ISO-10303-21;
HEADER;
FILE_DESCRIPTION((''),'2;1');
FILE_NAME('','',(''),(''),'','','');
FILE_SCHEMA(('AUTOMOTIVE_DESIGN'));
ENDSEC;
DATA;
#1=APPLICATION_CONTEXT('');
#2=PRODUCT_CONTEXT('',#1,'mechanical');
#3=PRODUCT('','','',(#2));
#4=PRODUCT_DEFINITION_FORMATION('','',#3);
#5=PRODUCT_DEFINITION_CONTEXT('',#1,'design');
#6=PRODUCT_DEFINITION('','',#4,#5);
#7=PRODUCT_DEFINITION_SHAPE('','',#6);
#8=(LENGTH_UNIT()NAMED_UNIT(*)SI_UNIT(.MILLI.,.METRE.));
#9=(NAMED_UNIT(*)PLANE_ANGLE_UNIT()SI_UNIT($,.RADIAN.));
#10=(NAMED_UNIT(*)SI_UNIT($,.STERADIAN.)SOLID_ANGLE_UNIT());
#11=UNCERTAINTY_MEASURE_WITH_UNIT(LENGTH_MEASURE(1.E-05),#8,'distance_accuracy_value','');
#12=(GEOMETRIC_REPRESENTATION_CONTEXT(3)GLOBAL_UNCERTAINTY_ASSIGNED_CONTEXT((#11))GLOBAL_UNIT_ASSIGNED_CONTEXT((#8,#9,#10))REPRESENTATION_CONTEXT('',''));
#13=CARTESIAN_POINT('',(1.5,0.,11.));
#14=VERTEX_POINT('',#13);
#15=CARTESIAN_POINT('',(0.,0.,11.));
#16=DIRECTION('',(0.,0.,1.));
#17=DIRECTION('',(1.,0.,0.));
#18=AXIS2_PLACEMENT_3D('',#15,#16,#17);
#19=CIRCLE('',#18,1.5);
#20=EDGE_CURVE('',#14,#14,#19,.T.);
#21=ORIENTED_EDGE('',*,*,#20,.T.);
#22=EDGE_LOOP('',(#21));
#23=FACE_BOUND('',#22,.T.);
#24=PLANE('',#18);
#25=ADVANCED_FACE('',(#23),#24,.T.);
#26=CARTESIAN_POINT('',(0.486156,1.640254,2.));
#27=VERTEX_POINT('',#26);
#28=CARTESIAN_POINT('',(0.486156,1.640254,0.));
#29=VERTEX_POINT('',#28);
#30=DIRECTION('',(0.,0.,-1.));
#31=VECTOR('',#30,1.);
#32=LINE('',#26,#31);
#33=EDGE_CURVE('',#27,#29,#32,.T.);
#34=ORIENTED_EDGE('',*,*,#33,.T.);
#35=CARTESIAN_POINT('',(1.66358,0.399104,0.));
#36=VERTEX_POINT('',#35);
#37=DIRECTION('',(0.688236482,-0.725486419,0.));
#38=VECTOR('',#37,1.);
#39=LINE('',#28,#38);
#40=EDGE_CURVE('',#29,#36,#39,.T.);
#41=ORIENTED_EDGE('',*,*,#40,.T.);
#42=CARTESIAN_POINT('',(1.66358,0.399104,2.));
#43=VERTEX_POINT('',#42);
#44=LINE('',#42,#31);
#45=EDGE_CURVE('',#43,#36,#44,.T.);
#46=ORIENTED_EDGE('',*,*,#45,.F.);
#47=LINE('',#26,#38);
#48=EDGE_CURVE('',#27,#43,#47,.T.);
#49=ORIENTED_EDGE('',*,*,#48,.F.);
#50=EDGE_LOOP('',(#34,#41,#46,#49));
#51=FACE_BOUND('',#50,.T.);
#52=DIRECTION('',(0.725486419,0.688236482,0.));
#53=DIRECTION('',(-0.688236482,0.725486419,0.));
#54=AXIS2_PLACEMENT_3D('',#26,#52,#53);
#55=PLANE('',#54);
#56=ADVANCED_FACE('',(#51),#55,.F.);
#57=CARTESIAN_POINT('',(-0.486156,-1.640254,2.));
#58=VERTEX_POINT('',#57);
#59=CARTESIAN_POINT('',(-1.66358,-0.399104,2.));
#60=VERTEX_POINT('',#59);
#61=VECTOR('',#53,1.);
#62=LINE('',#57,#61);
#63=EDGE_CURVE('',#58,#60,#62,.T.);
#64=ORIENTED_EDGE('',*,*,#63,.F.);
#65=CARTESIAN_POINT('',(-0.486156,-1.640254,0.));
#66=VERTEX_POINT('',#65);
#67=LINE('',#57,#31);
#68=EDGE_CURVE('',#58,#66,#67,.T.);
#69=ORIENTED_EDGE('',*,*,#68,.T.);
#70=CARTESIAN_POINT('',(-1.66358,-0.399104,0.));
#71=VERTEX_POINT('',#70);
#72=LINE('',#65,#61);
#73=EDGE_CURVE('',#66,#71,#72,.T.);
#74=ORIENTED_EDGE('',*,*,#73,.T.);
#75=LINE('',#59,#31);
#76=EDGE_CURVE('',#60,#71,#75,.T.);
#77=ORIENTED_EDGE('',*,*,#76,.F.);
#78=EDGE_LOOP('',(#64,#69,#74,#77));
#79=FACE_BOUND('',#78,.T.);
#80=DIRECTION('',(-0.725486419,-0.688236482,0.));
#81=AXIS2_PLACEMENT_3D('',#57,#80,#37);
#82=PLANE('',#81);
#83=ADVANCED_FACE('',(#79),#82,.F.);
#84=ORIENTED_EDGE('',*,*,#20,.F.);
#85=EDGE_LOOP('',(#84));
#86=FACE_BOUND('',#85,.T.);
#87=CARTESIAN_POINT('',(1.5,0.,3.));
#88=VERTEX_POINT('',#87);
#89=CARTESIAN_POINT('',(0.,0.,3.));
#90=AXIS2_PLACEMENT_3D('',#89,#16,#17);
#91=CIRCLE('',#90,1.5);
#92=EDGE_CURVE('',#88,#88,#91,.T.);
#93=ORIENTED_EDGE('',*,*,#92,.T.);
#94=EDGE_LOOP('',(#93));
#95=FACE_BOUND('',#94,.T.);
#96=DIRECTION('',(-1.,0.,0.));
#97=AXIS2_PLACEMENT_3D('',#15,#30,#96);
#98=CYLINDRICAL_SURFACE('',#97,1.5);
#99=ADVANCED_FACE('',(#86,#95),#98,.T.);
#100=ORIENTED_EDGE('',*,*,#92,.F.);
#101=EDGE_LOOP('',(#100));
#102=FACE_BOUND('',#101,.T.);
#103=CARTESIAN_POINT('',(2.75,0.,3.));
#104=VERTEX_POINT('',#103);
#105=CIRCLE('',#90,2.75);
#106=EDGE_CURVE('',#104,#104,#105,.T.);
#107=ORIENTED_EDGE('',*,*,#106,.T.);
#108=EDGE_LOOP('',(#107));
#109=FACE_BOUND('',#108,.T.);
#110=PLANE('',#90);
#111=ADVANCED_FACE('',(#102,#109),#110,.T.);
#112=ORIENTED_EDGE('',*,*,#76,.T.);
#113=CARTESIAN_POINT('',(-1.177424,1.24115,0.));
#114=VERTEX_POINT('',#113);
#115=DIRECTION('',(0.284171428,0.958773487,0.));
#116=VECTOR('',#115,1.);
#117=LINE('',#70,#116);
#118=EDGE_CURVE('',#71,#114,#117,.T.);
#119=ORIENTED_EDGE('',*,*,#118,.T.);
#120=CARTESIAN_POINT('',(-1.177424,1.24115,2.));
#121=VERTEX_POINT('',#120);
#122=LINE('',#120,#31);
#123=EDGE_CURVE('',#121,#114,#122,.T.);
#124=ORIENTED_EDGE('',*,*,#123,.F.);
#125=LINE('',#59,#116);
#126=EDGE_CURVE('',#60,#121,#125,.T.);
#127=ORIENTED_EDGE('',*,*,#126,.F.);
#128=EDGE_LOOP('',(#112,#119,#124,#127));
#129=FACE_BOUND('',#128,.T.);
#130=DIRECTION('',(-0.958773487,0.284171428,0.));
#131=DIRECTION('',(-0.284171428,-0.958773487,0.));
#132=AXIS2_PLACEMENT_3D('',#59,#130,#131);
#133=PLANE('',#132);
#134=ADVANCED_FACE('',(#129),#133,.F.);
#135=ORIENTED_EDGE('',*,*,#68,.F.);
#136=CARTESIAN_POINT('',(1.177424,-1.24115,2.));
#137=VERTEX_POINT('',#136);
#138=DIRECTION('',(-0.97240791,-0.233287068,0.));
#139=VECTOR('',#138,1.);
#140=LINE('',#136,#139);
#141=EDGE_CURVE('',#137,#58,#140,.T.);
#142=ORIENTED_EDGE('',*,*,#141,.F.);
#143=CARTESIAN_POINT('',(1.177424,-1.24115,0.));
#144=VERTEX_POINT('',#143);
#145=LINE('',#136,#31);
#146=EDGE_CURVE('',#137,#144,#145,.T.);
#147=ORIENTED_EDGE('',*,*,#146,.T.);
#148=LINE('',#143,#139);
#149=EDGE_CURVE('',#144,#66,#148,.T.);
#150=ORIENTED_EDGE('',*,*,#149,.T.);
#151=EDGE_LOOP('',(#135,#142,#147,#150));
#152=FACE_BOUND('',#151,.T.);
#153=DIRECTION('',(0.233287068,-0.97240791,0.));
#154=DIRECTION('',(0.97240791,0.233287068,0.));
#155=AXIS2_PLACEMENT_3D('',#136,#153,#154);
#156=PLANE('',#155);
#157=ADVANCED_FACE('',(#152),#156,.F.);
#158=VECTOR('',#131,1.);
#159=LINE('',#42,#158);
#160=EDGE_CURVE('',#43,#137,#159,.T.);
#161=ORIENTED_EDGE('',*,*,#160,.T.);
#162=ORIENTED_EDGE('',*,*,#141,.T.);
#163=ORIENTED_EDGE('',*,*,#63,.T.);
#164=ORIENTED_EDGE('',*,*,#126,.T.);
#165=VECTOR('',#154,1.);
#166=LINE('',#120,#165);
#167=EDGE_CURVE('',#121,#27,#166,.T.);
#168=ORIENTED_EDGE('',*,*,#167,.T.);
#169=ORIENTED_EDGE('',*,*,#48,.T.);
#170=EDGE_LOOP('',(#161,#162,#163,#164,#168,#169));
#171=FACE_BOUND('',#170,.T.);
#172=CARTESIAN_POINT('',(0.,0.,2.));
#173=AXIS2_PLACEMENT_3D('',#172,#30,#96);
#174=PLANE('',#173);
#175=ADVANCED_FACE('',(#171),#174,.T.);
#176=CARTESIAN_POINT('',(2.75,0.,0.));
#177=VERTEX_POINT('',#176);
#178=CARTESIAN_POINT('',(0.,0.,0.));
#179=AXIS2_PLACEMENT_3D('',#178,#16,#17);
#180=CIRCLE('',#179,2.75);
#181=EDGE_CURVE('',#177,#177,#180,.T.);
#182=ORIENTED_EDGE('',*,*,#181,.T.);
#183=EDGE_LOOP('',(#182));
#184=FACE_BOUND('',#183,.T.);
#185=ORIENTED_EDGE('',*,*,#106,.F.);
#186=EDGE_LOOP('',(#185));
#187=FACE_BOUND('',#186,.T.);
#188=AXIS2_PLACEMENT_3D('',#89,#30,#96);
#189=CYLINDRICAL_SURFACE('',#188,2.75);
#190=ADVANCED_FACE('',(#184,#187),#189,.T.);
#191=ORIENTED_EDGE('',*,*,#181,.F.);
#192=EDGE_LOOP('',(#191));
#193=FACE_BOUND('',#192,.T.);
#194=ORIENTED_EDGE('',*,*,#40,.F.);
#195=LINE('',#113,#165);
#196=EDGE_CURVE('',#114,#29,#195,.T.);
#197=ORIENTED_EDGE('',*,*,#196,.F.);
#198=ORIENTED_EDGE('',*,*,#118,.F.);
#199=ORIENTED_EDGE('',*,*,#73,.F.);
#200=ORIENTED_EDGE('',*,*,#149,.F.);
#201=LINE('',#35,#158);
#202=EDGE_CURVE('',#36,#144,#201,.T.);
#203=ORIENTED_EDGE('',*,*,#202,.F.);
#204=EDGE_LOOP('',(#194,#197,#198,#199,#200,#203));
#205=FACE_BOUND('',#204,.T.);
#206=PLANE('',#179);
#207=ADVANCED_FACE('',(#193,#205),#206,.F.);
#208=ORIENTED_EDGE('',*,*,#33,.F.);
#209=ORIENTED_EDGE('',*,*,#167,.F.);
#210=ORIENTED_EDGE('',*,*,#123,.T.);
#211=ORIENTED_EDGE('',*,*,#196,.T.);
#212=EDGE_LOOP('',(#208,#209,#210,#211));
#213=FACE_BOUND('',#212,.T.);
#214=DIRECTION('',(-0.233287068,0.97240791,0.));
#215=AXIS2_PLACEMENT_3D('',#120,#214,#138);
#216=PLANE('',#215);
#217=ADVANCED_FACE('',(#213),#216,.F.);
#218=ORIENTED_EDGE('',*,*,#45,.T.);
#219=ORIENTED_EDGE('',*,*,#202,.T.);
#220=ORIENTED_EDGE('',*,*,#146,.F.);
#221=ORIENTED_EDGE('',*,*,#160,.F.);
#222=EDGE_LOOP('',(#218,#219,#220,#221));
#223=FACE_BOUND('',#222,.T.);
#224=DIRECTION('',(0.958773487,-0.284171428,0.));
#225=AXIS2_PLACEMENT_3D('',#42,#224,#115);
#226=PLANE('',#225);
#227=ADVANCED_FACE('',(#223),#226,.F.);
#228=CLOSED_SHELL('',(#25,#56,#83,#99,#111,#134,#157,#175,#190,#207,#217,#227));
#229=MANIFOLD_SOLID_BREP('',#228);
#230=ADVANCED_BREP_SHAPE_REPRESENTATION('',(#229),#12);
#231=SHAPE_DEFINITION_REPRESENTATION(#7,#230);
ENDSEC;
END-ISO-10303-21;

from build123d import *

# Parameters (mm, degrees)
SKETCH_1_R          = 2.75
EXTRUDE_1_DEPTH     = 3
SKETCH_2_R          = 1.5
EXTRUDE_2_DEPTH     = 8
CUT_EXTRUDE_1_DEPTH = 2


with BuildPart() as part:
    # ｽｹｯﾁ1 → ﾎﾞｽ - 押し出し1 (new body)
    with BuildSketch(Plane.XY):
        Circle(SKETCH_1_R)
    extrude(amount=EXTRUDE_1_DEPTH)

    # ｽｹｯﾁ2 → ﾎﾞｽ - 押し出し2 (add)
    with BuildSketch(Plane.XY.offset(3)):
        Circle(SKETCH_2_R)
    extrude(amount=EXTRUDE_2_DEPTH)

    # ｽｹｯﾁ3 → ｶｯﾄ - 押し出し1 (cut)
    with BuildSketch(Plane(origin=(0, 0, 0), x_dir=(-1, 0, 0), z_dir=(0, 0, -1))):
        Polygon((1.66357981, -0.399103763), (1.177423903, 1.241150495), (-0.486155907, 1.640254258), (-1.66357981, 0.399103763), (-1.177423903, -1.241150495), (0.486155907, -1.640254258), align=None)
    extrude(amount=-CUT_EXTRUDE_1_DEPTH, mode=Mode.SUBTRACT)


solid = part.part
